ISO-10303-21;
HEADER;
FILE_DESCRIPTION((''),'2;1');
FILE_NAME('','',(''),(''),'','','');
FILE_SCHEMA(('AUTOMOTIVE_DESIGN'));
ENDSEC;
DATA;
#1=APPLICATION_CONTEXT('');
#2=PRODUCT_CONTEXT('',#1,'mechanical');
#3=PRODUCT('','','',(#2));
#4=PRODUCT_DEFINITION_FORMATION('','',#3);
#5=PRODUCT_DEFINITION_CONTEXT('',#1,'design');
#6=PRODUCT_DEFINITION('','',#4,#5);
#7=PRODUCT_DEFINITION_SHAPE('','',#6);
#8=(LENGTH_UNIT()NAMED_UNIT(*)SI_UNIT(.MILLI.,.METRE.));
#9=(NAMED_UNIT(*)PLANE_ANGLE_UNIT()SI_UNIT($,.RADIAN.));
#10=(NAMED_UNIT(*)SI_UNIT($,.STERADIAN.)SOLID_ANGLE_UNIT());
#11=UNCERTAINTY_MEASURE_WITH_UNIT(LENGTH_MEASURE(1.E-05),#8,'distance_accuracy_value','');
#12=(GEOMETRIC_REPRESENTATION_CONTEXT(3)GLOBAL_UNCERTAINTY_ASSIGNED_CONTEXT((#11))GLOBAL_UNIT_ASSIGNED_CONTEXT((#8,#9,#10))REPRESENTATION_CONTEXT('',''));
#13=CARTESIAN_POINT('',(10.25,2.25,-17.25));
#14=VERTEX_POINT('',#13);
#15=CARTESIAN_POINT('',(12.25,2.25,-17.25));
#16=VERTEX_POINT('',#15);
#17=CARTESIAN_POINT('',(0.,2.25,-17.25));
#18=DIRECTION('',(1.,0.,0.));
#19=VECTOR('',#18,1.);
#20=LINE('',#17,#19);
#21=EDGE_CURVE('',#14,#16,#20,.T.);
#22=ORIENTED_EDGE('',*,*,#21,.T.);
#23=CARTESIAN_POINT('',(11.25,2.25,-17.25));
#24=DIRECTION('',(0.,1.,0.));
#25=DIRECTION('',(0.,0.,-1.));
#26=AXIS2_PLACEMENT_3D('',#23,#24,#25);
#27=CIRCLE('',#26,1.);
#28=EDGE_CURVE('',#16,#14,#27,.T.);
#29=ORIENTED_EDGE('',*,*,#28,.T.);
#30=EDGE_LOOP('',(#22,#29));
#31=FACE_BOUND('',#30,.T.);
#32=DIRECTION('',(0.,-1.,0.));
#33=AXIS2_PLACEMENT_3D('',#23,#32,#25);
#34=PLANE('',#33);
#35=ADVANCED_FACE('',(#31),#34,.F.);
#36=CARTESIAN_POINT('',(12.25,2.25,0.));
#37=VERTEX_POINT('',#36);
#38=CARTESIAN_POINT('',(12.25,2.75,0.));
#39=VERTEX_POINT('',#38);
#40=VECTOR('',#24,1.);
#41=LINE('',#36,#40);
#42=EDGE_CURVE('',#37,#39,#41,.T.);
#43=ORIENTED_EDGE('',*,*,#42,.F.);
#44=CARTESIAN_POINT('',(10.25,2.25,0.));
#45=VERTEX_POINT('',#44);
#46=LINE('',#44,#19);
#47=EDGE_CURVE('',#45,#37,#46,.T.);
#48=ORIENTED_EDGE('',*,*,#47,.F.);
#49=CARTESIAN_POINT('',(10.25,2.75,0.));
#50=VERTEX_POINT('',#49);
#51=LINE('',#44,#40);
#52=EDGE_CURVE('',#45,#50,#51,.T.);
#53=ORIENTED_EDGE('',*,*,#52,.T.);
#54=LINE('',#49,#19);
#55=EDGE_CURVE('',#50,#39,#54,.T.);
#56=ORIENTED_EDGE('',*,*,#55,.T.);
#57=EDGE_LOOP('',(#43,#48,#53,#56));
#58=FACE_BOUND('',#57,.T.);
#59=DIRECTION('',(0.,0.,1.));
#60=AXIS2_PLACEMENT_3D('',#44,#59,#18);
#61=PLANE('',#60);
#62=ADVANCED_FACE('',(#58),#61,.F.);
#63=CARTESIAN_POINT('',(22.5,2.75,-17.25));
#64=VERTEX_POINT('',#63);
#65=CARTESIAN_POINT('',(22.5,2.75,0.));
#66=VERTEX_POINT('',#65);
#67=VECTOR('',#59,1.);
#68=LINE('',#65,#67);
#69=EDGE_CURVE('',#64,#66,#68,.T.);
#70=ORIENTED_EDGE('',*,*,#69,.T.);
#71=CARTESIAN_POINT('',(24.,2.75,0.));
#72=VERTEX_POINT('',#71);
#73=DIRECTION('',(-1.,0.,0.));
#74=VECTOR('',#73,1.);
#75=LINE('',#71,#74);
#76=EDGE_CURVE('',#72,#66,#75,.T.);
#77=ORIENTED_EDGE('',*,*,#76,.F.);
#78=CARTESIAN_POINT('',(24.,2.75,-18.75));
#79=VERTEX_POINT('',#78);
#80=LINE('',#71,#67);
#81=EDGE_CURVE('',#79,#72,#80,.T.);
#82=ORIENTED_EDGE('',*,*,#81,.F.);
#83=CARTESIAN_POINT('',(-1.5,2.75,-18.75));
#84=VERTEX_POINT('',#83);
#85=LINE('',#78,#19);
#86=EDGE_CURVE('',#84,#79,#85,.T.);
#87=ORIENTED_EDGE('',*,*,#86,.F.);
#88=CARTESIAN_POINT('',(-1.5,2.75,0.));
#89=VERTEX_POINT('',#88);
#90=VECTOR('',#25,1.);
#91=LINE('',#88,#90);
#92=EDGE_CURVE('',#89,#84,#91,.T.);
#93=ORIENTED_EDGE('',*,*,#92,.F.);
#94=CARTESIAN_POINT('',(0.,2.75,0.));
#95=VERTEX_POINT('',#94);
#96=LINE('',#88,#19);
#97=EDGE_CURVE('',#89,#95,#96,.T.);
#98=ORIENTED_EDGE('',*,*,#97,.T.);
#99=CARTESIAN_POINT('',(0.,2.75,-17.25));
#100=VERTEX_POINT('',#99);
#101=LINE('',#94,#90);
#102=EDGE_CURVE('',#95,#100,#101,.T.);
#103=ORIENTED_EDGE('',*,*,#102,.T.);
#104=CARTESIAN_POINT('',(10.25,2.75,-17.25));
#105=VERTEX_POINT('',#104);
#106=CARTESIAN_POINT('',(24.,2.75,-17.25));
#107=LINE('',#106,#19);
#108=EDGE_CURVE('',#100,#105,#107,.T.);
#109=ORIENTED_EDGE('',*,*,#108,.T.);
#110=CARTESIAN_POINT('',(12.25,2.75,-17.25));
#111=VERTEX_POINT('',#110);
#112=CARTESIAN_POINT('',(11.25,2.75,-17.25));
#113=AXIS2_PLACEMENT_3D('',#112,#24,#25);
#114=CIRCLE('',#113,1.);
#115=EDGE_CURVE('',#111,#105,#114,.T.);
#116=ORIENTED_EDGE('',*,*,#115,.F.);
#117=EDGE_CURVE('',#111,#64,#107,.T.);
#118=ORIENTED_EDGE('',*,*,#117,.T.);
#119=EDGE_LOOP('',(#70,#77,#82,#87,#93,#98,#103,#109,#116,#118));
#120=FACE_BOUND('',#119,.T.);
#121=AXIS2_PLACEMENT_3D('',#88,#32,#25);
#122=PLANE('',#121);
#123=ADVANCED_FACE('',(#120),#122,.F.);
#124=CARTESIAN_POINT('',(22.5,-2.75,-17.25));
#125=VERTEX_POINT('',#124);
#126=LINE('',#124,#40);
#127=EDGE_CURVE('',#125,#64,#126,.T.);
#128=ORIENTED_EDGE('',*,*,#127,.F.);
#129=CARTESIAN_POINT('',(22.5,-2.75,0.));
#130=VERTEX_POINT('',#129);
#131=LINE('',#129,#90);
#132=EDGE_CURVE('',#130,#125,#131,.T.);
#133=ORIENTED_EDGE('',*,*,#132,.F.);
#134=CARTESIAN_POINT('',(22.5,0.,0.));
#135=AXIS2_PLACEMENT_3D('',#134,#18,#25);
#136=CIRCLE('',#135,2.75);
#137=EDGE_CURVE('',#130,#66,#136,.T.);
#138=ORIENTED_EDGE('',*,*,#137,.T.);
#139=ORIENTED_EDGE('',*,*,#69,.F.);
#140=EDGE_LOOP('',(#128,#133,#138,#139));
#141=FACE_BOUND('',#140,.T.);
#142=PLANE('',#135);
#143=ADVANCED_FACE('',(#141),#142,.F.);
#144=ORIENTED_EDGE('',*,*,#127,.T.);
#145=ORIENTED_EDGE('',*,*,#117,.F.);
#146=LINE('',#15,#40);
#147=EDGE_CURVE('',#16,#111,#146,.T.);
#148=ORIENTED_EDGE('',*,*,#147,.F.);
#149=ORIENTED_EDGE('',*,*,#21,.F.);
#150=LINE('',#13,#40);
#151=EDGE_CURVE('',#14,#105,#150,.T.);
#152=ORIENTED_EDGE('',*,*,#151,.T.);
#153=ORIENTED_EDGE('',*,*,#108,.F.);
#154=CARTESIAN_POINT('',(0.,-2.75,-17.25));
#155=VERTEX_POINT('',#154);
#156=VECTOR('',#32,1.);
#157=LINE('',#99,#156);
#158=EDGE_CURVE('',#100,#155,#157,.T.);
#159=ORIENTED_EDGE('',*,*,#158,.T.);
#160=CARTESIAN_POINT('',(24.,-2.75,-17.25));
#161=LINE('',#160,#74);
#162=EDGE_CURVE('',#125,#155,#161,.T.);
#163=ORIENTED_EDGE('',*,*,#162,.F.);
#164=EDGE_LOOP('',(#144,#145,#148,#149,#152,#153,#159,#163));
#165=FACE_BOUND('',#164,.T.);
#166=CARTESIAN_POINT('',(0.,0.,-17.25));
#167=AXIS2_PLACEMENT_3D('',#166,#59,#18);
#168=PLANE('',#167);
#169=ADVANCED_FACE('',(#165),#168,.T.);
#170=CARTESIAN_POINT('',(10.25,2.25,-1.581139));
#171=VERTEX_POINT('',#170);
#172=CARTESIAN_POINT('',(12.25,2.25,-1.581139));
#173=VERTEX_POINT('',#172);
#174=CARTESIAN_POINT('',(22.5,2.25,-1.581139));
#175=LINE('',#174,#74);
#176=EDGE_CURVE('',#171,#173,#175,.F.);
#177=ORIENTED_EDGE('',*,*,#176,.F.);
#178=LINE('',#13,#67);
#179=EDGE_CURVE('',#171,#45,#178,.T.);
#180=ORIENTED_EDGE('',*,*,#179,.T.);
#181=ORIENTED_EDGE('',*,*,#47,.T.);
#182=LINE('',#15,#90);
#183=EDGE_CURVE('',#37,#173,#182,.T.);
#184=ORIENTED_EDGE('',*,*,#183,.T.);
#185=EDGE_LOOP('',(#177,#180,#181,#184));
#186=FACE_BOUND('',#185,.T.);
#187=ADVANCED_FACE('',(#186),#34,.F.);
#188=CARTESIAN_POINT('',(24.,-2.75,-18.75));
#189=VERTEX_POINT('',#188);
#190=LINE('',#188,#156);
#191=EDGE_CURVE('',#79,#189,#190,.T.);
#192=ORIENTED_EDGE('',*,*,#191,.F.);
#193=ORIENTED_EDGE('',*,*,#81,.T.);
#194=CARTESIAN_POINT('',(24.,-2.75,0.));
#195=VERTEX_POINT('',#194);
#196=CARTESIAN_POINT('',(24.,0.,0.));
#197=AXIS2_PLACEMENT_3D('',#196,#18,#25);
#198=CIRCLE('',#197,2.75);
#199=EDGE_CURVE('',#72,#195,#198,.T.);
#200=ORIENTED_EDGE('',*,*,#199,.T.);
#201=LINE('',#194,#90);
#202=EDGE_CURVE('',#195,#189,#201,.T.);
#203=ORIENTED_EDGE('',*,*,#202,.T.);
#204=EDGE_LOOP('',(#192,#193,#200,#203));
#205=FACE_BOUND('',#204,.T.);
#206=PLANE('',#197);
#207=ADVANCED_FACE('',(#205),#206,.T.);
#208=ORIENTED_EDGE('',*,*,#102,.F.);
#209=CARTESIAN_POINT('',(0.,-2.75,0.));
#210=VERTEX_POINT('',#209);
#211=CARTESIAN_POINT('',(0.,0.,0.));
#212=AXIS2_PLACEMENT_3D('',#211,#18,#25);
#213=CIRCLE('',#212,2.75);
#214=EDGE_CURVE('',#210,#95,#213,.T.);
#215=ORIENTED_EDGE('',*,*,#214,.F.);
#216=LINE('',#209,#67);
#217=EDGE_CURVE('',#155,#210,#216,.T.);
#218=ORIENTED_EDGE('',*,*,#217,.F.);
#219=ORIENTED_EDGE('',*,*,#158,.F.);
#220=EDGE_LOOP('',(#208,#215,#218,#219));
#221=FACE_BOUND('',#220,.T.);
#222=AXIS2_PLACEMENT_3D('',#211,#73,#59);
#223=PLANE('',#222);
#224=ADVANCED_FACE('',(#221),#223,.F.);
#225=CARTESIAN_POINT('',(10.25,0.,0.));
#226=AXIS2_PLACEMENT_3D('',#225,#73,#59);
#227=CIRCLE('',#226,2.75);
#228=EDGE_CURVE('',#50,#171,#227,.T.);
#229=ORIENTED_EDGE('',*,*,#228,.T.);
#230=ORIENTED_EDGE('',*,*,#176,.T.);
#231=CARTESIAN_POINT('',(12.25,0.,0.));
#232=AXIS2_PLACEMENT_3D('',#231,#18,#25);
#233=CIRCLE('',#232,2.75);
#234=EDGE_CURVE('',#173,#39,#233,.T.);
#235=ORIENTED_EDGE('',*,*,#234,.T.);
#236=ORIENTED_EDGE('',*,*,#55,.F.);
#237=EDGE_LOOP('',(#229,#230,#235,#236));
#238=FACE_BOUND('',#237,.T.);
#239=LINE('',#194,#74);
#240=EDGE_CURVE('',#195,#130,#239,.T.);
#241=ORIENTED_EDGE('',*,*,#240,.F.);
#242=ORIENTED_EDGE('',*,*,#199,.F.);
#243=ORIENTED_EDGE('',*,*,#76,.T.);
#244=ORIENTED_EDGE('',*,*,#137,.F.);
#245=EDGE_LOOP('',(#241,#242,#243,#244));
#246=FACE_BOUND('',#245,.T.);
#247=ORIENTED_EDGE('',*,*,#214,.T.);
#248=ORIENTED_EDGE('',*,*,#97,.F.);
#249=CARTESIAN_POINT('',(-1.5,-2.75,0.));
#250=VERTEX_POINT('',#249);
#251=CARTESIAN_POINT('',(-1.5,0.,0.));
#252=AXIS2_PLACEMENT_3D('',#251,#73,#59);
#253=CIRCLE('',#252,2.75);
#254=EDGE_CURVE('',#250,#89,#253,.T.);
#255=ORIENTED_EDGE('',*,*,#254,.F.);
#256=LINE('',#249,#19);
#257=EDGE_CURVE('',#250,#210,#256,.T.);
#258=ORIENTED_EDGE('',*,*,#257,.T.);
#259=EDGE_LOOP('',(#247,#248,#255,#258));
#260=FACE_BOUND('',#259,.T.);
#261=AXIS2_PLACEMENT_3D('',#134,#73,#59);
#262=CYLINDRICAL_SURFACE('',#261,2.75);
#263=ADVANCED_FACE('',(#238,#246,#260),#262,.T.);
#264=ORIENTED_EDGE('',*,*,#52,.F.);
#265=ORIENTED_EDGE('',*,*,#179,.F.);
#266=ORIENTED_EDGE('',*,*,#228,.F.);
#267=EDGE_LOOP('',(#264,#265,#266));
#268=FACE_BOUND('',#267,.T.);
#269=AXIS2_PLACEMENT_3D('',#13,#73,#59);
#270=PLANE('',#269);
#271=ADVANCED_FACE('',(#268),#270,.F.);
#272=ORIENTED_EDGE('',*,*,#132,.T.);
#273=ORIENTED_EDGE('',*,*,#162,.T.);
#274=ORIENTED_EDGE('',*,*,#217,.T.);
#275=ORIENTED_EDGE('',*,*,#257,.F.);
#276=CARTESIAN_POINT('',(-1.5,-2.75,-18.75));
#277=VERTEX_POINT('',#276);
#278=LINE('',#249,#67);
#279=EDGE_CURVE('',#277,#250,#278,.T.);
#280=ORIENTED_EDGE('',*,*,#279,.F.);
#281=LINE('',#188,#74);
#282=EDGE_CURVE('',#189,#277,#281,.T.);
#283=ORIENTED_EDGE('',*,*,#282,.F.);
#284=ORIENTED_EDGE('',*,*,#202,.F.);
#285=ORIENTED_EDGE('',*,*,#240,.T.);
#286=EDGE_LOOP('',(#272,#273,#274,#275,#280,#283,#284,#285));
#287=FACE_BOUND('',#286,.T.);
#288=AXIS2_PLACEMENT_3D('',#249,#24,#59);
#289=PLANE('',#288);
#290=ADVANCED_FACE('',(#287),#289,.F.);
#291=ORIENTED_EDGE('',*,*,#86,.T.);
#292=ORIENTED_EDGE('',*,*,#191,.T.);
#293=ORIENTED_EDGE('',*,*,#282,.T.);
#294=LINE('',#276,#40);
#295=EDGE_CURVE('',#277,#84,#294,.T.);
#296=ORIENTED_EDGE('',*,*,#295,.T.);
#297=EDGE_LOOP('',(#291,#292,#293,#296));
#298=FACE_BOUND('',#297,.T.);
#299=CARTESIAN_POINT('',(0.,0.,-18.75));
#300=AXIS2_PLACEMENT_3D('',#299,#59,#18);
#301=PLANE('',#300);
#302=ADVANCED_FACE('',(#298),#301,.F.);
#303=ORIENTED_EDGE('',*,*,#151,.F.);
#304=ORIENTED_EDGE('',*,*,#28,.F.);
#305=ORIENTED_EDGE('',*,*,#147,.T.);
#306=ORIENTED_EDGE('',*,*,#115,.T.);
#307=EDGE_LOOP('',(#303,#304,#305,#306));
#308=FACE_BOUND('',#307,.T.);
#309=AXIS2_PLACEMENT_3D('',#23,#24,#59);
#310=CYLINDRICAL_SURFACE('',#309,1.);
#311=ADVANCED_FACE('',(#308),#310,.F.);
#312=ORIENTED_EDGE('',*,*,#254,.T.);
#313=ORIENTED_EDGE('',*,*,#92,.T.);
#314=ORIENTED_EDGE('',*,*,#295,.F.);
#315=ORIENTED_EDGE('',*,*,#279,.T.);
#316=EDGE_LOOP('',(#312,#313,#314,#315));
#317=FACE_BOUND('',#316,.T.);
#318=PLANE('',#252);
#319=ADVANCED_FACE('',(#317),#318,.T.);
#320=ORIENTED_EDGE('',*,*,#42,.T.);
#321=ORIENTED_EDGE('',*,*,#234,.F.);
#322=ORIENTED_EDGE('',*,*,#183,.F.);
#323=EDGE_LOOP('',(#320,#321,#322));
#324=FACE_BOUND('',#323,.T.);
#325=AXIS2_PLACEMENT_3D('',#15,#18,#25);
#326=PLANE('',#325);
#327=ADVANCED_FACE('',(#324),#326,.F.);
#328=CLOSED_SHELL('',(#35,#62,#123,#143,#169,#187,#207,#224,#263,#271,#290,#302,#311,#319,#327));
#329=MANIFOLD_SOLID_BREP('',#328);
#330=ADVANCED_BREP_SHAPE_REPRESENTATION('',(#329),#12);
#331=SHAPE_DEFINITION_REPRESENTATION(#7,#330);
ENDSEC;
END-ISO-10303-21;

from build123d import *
from build123d.topology import SkipClean

# Parameters (mm, degrees)
SKETCH1_R           = 2.75
BOSS_EXTRUDE1_DEPTH = 22.5
BOSS_EXTRUDE2_START = 1.5
BOSS_EXTRUDE2_DEPTH = 1.5
BOSS_EXTRUDE3_DEPTH = 1.5
SKETCH5_W           = 25.5
SKETCH5_H           = 5.5
BOSS_EXTRUDE4_DEPTH = 1.5
CUT_EXTRUDE1_DEPTH  = 0.5


with BuildPart() as part:
    # Sketch1 → Boss-Extrude1 (new body)
    with BuildSketch(Plane(origin=(0, 0, 0), x_dir=(0, 0, -1), z_dir=(1, 0, 0))):
        with Locations(Location((0, 0, 0), (0, 0, 180))):
            Circle(SKETCH1_R)
    extrude(amount=BOSS_EXTRUDE1_DEPTH)

    # Sketch2 → Boss-Extrude2 (add)
    with SkipClean():  # the faces are left unmerged after this step: merging them gives an invalid solid
        with BuildSketch(Plane.ZY.offset(BOSS_EXTRUDE2_START)):
            with BuildLine():
                Line((0, 2.75), (-17.25, 2.75))
                Line((-17.25, 2.75), (-17.25, -2.75))
                Line((-17.25, -2.75), (0, -2.75))
                ThreePointArc((0, -2.75), (2.75, 0), (0, 2.75))
            make_face()
        extrude(amount=-BOSS_EXTRUDE2_DEPTH)

    # Sketch3 → Boss-Extrude3 (add)
    with BuildSketch(Plane(origin=(22.5, 0, 0), x_dir=(0, 0, -1), z_dir=(1, 0, 0))):
        with BuildLine():
            Line((0, -2.75), (17.25, -2.75))
            Line((17.25, -2.75), (17.25, 2.75))
            Line((17.25, 2.75), (0, 2.75))
            ThreePointArc((0, 2.75), (-2.75, 0), (0, -2.75))
        make_face()
    extrude(amount=BOSS_EXTRUDE3_DEPTH)

    # Sketch5 → Boss-Extrude4 (add)
    with BuildSketch(Plane(origin=(0, 0, -17.25), x_dir=(-1, 0, 0), z_dir=(0, 0, -1))):
        with Locations((-11.25, 0)):
            Rectangle(SKETCH5_W, SKETCH5_H)
    extrude(amount=BOSS_EXTRUDE4_DEPTH)

    # Sketch6 → Cut-Extrude1 (cut)
    with BuildSketch(Plane(origin=(0, 2.75, 0), x_dir=(1, 0, 0), z_dir=(0, 1, 0))):
        with BuildLine():
            Line((10.25, 17.25), (10.25, 0))
            Line((10.25, 0), (12.25, 0))
            Line((12.25, 0), (12.25, 17.25))
            ThreePointArc((12.25, 17.25), (11.25, 18.25), (10.25, 17.25))
        make_face()
    extrude(amount=-CUT_EXTRUDE1_DEPTH, mode=Mode.SUBTRACT)


solid = part.part
